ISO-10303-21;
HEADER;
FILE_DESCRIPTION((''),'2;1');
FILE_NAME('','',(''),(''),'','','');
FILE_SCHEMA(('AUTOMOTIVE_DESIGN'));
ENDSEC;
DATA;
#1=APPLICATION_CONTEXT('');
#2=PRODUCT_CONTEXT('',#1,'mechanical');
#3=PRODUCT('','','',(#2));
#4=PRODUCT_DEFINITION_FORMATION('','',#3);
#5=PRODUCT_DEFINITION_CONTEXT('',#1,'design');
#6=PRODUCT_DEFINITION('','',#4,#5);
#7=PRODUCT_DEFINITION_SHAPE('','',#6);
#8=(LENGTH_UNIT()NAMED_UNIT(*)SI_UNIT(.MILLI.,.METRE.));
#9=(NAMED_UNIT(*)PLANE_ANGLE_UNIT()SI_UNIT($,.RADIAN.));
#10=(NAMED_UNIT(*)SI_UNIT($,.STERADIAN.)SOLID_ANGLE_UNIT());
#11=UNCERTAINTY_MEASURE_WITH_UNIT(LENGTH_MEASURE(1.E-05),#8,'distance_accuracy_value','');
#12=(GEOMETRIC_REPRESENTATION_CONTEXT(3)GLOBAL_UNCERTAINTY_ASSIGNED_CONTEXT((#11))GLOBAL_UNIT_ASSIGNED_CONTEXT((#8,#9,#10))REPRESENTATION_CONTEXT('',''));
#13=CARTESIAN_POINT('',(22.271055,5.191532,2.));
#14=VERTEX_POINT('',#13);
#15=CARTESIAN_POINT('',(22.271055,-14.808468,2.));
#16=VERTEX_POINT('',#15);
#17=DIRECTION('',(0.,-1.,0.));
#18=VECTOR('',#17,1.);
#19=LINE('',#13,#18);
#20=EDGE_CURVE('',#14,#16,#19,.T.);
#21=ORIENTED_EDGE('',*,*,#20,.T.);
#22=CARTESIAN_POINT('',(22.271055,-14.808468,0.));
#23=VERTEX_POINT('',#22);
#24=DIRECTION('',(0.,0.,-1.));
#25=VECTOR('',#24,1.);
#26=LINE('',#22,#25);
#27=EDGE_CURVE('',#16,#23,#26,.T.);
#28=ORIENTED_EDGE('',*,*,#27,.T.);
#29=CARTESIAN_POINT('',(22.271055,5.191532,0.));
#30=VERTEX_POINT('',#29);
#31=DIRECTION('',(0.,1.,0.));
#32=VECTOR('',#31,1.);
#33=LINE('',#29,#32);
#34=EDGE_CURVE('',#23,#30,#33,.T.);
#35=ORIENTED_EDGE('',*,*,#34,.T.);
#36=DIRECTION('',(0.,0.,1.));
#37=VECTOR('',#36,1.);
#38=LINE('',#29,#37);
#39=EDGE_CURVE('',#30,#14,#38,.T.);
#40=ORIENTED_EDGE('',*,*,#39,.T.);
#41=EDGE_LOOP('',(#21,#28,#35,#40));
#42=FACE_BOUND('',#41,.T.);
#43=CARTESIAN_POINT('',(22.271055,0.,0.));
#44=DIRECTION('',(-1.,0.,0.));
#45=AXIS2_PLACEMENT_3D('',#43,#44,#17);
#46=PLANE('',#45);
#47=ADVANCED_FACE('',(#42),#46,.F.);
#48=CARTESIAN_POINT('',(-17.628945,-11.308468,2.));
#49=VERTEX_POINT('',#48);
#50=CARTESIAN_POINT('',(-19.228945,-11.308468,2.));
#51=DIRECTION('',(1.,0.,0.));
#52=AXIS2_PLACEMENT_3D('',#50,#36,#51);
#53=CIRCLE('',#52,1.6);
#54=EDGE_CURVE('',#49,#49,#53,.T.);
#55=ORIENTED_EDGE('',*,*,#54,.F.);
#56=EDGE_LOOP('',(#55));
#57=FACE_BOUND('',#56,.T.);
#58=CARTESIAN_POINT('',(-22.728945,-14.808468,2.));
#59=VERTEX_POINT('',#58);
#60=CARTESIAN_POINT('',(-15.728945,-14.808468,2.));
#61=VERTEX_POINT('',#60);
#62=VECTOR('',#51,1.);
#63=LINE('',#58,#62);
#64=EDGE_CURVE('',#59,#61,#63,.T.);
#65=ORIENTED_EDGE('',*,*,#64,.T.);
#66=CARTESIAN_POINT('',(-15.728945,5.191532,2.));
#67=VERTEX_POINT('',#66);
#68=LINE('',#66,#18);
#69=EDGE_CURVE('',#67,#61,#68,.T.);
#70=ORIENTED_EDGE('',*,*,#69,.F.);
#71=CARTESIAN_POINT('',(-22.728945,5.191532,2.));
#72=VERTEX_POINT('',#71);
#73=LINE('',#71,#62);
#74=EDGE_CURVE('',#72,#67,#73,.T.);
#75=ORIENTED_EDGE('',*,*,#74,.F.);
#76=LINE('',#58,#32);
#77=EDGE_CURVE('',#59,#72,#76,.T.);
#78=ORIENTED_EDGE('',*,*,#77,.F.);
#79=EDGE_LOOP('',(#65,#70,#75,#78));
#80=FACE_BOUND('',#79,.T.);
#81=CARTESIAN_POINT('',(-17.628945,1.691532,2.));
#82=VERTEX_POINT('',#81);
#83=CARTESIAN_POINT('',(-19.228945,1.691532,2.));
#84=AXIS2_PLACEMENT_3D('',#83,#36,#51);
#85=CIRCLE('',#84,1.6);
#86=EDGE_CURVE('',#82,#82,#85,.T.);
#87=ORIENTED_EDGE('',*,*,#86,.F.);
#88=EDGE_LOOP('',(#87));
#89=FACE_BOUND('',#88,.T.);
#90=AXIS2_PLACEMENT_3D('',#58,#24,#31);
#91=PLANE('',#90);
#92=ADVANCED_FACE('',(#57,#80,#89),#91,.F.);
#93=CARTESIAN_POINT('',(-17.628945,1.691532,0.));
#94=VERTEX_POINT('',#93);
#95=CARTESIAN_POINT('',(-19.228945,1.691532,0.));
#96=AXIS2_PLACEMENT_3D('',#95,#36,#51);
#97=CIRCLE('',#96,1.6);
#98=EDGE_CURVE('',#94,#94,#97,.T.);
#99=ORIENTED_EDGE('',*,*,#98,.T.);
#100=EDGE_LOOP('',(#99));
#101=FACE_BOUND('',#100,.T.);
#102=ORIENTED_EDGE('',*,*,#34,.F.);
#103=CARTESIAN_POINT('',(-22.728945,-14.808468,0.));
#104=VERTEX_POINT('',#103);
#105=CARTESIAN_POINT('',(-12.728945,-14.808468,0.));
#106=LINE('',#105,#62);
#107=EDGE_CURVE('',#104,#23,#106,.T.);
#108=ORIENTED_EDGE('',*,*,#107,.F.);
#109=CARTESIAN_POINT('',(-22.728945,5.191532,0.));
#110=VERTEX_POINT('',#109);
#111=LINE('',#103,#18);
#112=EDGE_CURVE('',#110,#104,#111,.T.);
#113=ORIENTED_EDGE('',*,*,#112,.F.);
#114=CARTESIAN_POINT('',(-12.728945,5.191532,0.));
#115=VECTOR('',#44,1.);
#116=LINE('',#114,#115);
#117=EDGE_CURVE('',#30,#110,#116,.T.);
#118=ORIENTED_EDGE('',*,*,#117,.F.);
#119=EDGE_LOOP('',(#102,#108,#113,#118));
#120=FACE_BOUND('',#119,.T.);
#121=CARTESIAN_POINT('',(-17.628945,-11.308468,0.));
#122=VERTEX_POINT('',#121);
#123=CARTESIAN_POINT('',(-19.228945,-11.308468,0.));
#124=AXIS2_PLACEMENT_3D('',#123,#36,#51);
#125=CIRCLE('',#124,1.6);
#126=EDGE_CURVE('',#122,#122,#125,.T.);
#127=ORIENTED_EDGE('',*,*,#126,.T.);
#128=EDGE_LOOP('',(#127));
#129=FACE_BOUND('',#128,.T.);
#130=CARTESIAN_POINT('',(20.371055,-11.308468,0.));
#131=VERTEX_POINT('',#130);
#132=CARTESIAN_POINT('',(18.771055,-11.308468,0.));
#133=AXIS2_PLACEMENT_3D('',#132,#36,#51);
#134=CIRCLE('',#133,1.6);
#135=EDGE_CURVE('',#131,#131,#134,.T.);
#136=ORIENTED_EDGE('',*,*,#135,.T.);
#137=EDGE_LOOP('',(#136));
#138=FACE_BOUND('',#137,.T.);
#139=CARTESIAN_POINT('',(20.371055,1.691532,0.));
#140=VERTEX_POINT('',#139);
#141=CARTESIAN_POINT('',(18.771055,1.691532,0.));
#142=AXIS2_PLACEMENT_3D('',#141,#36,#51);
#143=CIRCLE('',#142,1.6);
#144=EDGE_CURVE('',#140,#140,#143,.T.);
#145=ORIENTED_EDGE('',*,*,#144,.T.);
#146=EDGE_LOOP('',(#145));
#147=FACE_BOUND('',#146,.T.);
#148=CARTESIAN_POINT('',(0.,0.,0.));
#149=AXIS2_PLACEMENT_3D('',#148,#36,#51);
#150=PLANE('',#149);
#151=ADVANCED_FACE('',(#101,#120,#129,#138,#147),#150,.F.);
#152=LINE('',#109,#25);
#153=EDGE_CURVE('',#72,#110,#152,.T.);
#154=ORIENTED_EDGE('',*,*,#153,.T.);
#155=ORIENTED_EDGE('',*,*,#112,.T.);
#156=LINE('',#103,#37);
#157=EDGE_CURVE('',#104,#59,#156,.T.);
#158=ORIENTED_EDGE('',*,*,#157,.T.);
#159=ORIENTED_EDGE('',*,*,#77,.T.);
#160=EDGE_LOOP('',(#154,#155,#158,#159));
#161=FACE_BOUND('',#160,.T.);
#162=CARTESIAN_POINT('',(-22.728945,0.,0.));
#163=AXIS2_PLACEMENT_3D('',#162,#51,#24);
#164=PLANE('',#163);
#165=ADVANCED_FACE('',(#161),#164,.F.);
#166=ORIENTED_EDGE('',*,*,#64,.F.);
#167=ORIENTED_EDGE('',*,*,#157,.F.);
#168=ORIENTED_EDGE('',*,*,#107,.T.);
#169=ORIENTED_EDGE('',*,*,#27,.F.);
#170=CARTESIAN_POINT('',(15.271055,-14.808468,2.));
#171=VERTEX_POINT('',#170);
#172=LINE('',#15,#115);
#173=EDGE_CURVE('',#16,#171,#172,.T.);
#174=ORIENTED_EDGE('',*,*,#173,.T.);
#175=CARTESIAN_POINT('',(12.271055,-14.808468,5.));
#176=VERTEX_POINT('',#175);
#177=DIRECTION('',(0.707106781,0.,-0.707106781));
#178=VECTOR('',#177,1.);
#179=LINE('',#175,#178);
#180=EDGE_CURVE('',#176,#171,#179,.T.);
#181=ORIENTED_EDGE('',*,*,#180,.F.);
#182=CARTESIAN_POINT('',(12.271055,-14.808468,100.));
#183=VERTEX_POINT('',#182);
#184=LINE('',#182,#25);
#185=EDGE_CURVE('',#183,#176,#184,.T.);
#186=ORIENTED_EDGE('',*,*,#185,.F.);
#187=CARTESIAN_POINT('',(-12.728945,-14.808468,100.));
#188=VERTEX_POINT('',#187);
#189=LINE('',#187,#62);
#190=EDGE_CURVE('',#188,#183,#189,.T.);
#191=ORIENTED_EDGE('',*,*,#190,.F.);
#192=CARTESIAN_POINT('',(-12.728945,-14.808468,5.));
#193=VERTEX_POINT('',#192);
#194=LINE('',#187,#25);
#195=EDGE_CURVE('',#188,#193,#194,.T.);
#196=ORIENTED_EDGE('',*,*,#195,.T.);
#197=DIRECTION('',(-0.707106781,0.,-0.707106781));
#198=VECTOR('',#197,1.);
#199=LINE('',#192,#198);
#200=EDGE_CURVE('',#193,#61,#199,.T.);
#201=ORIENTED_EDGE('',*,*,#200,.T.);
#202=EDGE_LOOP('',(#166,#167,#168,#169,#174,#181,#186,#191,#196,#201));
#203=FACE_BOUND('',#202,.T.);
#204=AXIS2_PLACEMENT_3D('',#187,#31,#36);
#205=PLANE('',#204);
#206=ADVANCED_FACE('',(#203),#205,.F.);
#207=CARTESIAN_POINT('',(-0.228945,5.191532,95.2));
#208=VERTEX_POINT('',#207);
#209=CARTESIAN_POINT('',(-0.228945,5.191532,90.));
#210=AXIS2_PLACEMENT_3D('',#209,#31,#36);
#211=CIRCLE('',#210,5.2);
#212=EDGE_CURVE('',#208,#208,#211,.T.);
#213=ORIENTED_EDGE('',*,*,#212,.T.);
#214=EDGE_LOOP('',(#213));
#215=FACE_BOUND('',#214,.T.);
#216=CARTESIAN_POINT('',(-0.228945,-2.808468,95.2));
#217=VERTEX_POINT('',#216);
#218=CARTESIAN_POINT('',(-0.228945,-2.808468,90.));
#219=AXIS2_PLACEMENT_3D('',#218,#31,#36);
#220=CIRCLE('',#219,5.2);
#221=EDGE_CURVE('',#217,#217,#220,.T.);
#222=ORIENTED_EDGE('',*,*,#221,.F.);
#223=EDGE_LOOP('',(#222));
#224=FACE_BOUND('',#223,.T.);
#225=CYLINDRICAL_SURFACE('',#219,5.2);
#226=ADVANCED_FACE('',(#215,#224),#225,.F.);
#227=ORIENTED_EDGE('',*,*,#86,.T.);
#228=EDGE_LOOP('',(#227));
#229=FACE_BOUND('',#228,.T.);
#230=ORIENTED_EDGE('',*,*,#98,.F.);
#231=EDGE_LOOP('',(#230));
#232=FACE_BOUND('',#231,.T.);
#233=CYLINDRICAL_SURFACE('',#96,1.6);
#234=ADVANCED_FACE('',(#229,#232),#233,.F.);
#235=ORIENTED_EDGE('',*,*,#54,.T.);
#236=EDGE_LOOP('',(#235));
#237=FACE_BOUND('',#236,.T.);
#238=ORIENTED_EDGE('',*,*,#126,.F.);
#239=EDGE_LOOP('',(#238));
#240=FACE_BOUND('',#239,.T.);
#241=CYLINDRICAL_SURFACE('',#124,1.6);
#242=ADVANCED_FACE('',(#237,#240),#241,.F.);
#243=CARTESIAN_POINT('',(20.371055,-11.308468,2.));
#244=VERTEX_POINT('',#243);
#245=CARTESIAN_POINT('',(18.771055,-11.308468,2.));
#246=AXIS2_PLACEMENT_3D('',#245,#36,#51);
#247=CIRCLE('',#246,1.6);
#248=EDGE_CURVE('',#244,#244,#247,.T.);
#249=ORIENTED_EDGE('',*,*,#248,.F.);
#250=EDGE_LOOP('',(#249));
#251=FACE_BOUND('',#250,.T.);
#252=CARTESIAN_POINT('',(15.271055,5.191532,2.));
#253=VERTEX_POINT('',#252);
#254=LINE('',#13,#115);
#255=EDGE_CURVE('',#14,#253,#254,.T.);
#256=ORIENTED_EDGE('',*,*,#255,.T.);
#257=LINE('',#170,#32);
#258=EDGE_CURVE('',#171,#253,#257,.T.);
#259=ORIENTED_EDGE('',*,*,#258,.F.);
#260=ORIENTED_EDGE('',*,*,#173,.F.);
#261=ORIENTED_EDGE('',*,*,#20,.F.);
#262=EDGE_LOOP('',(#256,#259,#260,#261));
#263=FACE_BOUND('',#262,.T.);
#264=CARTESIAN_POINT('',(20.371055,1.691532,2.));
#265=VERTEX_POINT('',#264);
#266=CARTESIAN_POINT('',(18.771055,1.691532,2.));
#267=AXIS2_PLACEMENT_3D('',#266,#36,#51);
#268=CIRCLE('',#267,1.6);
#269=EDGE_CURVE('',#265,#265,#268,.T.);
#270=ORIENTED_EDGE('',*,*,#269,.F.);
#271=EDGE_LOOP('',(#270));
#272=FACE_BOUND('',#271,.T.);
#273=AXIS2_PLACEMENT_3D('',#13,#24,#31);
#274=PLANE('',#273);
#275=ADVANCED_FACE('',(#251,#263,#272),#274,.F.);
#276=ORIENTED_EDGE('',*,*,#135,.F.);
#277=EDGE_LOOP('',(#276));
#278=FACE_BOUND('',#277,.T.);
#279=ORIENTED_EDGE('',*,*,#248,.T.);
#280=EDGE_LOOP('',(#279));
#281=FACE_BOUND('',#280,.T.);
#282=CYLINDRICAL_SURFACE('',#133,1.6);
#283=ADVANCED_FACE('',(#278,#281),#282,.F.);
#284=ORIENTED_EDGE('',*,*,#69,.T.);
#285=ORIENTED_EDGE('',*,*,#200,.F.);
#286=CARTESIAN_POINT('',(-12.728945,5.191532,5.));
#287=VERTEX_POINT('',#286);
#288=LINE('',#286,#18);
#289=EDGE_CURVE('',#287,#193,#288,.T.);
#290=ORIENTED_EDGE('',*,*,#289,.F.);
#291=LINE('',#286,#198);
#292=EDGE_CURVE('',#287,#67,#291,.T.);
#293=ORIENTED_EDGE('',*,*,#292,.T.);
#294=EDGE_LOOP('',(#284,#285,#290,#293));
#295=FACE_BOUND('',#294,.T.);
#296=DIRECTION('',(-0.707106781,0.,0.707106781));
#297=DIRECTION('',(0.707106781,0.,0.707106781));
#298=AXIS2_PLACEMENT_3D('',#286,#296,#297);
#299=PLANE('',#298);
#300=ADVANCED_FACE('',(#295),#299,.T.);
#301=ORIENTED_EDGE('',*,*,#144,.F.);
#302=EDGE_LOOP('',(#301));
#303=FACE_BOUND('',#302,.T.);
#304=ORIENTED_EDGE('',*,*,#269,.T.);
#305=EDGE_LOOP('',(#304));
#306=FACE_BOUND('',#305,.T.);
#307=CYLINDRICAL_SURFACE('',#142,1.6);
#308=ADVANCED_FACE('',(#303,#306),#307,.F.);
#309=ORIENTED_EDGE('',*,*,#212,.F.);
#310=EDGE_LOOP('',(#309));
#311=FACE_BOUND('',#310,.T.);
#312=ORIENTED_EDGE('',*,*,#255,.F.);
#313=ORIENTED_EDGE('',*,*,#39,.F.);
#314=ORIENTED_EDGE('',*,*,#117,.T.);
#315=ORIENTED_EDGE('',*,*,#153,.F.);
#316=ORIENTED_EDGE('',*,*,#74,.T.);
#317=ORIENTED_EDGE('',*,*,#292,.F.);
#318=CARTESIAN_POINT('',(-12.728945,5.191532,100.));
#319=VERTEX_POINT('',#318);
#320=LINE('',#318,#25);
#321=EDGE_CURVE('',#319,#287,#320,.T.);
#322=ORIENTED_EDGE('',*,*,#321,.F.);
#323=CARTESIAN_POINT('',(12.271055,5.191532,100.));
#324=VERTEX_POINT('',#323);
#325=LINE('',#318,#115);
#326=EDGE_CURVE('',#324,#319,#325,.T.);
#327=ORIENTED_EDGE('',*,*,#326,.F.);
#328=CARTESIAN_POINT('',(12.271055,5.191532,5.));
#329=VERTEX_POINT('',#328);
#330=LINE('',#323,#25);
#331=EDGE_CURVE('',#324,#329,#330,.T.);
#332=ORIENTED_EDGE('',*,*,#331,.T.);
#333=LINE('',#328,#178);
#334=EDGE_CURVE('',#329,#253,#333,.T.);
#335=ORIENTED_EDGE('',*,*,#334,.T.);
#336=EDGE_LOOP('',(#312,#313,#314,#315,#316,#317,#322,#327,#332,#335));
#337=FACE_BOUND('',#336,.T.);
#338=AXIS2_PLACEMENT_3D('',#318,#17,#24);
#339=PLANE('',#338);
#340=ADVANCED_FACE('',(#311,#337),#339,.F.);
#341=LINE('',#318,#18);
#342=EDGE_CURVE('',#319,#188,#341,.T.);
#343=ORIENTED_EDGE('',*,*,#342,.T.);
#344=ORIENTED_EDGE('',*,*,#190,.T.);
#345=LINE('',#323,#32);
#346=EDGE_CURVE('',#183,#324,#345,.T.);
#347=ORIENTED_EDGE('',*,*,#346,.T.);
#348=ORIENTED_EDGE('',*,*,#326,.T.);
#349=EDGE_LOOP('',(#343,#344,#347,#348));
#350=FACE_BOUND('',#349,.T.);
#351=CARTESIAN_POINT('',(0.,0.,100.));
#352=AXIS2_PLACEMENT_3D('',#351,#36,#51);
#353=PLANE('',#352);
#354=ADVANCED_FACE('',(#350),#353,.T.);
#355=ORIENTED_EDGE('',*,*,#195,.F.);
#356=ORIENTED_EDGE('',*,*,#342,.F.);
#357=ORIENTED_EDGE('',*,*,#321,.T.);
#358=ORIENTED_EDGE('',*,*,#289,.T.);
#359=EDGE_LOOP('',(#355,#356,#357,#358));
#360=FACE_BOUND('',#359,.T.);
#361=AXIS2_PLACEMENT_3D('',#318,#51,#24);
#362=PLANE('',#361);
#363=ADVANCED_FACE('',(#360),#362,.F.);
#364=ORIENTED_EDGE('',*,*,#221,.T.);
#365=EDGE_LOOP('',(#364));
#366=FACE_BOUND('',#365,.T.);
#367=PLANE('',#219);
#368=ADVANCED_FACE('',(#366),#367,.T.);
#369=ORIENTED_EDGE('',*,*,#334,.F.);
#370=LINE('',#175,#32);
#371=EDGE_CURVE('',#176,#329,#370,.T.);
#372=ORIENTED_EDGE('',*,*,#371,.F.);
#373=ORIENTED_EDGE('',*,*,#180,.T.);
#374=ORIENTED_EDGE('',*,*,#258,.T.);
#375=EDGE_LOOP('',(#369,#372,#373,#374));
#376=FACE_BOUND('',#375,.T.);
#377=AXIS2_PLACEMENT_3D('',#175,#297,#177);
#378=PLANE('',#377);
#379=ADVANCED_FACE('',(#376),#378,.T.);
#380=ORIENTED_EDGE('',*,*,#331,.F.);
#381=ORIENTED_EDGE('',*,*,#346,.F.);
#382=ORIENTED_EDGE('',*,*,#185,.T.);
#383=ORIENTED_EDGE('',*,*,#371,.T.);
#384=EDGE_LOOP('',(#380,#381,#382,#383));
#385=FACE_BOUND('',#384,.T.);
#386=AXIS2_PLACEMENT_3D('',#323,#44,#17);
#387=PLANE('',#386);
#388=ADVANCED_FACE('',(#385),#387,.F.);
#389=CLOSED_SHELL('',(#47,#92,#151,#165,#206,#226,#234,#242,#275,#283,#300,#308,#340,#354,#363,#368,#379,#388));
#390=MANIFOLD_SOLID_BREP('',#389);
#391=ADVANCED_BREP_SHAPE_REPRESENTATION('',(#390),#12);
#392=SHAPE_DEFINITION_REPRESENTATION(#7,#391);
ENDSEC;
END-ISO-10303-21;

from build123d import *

# Parameters (mm, degrees)
SKETCH_1_W          = 25
SKETCH_1_H          = 20
EXTRUDE_1_DEPTH     = 100
SKETCH_2_R          = 5.2
CUT_EXTRUDE_1_DEPTH = 8
SKETCH_3_W          = 2
SKETCH_3_H          = 20
EXTRUDE_2_DEPTH     = 10
EXTRUDE_3_DEPTH     = 20
SKETCH_6_R          = 1.6
CUT_EXTRUDE_2_DEPTH = 3
SKETCH_7_W          = 2
SKETCH_7_H          = 20
EXTRUDE_4_DEPTH     = 10
EXTRUDE_5_DEPTH     = 20
SKETCH_9_R          = 1.6
CUT_EXTRUDE_3_DEPTH = 3


with BuildPart() as part:
    # ｽｹｯﾁ1 → ﾎﾞｽ - 押し出し1 (new body)
    with BuildSketch(Plane.XY):
        with Locations((-0.22894462, -4.808467742)):
            Rectangle(SKETCH_1_W, SKETCH_1_H)
    extrude(amount=EXTRUDE_1_DEPTH)

    # ｽｹｯﾁ2 → ｶｯﾄ - 押し出し1 (cut)
    with BuildSketch(Plane(origin=(0, 5.191532258, 0), x_dir=(1, 0, 0), z_dir=(0, 1, 0))):
        with Locations((-0.22894462, -90)):
            Circle(SKETCH_2_R)
    extrude(amount=-CUT_EXTRUDE_1_DEPTH, mode=Mode.SUBTRACT)

    # ｽｹｯﾁ3 → ﾎﾞｽ - 押し出し2 (add)
    with BuildSketch(Plane(origin=(12.27105538, 0, 0), x_dir=(0, 0, -1), z_dir=(1, 0, 0))):
        with Locations((-1, -4.808467742)):
            Rectangle(SKETCH_3_W, SKETCH_3_H)
    extrude(amount=EXTRUDE_2_DEPTH)

    # ｽｹｯﾁ5 → ﾎﾞｽ - 押し出し3 (add, through all)
    with BuildSketch(Plane(origin=(0, 5.191532258, 0), x_dir=(1, 0, 0), z_dir=(0, 1, 0))):
        Polygon((12.27105538, -5), (15.27105538, -2), (12.27105538, -2), align=None)
    extrude(amount=-EXTRUDE_3_DEPTH)

    # ｽｹｯﾁ6 → ｶｯﾄ - 押し出し2 (cut, through all)
    with BuildSketch(Plane.XY.offset(2)):
        with Locations((18.77105538, 1.691532258)):
            Circle(SKETCH_6_R)
        with Locations((18.77105538, -11.308467742)):
            Circle(SKETCH_6_R)
    extrude(amount=-CUT_EXTRUDE_2_DEPTH, mode=Mode.SUBTRACT)

    # ｽｹｯﾁ7 → ﾎﾞｽ - 押し出し4 (add)
    with BuildSketch(Plane.ZY.offset(12.72894462)):
        with Locations((1, -4.808467742)):
            Rectangle(SKETCH_7_W, SKETCH_7_H)
    extrude(amount=EXTRUDE_4_DEPTH)

    # ｽｹｯﾁ8 → ﾎﾞｽ - 押し出し5 (add, through all)
    with BuildSketch(Plane.XZ.offset(14.808467742)):
        Polygon((-12.72894462, 5), (-15.72894462, 2), (-12.72894462, 2), align=None)
    extrude(amount=-EXTRUDE_5_DEPTH)

    # ｽｹｯﾁ9 → ｶｯﾄ - 押し出し3 (cut, through all)
    with BuildSketch(Plane.XY.offset(2)):
        with Locations((-19.22894462, -11.308467742)):
            Circle(SKETCH_9_R)
        with Locations((-19.22894462, 1.691532258)):
            Circle(SKETCH_9_R)
    extrude(amount=-CUT_EXTRUDE_3_DEPTH, mode=Mode.SUBTRACT)


solid = part.part
